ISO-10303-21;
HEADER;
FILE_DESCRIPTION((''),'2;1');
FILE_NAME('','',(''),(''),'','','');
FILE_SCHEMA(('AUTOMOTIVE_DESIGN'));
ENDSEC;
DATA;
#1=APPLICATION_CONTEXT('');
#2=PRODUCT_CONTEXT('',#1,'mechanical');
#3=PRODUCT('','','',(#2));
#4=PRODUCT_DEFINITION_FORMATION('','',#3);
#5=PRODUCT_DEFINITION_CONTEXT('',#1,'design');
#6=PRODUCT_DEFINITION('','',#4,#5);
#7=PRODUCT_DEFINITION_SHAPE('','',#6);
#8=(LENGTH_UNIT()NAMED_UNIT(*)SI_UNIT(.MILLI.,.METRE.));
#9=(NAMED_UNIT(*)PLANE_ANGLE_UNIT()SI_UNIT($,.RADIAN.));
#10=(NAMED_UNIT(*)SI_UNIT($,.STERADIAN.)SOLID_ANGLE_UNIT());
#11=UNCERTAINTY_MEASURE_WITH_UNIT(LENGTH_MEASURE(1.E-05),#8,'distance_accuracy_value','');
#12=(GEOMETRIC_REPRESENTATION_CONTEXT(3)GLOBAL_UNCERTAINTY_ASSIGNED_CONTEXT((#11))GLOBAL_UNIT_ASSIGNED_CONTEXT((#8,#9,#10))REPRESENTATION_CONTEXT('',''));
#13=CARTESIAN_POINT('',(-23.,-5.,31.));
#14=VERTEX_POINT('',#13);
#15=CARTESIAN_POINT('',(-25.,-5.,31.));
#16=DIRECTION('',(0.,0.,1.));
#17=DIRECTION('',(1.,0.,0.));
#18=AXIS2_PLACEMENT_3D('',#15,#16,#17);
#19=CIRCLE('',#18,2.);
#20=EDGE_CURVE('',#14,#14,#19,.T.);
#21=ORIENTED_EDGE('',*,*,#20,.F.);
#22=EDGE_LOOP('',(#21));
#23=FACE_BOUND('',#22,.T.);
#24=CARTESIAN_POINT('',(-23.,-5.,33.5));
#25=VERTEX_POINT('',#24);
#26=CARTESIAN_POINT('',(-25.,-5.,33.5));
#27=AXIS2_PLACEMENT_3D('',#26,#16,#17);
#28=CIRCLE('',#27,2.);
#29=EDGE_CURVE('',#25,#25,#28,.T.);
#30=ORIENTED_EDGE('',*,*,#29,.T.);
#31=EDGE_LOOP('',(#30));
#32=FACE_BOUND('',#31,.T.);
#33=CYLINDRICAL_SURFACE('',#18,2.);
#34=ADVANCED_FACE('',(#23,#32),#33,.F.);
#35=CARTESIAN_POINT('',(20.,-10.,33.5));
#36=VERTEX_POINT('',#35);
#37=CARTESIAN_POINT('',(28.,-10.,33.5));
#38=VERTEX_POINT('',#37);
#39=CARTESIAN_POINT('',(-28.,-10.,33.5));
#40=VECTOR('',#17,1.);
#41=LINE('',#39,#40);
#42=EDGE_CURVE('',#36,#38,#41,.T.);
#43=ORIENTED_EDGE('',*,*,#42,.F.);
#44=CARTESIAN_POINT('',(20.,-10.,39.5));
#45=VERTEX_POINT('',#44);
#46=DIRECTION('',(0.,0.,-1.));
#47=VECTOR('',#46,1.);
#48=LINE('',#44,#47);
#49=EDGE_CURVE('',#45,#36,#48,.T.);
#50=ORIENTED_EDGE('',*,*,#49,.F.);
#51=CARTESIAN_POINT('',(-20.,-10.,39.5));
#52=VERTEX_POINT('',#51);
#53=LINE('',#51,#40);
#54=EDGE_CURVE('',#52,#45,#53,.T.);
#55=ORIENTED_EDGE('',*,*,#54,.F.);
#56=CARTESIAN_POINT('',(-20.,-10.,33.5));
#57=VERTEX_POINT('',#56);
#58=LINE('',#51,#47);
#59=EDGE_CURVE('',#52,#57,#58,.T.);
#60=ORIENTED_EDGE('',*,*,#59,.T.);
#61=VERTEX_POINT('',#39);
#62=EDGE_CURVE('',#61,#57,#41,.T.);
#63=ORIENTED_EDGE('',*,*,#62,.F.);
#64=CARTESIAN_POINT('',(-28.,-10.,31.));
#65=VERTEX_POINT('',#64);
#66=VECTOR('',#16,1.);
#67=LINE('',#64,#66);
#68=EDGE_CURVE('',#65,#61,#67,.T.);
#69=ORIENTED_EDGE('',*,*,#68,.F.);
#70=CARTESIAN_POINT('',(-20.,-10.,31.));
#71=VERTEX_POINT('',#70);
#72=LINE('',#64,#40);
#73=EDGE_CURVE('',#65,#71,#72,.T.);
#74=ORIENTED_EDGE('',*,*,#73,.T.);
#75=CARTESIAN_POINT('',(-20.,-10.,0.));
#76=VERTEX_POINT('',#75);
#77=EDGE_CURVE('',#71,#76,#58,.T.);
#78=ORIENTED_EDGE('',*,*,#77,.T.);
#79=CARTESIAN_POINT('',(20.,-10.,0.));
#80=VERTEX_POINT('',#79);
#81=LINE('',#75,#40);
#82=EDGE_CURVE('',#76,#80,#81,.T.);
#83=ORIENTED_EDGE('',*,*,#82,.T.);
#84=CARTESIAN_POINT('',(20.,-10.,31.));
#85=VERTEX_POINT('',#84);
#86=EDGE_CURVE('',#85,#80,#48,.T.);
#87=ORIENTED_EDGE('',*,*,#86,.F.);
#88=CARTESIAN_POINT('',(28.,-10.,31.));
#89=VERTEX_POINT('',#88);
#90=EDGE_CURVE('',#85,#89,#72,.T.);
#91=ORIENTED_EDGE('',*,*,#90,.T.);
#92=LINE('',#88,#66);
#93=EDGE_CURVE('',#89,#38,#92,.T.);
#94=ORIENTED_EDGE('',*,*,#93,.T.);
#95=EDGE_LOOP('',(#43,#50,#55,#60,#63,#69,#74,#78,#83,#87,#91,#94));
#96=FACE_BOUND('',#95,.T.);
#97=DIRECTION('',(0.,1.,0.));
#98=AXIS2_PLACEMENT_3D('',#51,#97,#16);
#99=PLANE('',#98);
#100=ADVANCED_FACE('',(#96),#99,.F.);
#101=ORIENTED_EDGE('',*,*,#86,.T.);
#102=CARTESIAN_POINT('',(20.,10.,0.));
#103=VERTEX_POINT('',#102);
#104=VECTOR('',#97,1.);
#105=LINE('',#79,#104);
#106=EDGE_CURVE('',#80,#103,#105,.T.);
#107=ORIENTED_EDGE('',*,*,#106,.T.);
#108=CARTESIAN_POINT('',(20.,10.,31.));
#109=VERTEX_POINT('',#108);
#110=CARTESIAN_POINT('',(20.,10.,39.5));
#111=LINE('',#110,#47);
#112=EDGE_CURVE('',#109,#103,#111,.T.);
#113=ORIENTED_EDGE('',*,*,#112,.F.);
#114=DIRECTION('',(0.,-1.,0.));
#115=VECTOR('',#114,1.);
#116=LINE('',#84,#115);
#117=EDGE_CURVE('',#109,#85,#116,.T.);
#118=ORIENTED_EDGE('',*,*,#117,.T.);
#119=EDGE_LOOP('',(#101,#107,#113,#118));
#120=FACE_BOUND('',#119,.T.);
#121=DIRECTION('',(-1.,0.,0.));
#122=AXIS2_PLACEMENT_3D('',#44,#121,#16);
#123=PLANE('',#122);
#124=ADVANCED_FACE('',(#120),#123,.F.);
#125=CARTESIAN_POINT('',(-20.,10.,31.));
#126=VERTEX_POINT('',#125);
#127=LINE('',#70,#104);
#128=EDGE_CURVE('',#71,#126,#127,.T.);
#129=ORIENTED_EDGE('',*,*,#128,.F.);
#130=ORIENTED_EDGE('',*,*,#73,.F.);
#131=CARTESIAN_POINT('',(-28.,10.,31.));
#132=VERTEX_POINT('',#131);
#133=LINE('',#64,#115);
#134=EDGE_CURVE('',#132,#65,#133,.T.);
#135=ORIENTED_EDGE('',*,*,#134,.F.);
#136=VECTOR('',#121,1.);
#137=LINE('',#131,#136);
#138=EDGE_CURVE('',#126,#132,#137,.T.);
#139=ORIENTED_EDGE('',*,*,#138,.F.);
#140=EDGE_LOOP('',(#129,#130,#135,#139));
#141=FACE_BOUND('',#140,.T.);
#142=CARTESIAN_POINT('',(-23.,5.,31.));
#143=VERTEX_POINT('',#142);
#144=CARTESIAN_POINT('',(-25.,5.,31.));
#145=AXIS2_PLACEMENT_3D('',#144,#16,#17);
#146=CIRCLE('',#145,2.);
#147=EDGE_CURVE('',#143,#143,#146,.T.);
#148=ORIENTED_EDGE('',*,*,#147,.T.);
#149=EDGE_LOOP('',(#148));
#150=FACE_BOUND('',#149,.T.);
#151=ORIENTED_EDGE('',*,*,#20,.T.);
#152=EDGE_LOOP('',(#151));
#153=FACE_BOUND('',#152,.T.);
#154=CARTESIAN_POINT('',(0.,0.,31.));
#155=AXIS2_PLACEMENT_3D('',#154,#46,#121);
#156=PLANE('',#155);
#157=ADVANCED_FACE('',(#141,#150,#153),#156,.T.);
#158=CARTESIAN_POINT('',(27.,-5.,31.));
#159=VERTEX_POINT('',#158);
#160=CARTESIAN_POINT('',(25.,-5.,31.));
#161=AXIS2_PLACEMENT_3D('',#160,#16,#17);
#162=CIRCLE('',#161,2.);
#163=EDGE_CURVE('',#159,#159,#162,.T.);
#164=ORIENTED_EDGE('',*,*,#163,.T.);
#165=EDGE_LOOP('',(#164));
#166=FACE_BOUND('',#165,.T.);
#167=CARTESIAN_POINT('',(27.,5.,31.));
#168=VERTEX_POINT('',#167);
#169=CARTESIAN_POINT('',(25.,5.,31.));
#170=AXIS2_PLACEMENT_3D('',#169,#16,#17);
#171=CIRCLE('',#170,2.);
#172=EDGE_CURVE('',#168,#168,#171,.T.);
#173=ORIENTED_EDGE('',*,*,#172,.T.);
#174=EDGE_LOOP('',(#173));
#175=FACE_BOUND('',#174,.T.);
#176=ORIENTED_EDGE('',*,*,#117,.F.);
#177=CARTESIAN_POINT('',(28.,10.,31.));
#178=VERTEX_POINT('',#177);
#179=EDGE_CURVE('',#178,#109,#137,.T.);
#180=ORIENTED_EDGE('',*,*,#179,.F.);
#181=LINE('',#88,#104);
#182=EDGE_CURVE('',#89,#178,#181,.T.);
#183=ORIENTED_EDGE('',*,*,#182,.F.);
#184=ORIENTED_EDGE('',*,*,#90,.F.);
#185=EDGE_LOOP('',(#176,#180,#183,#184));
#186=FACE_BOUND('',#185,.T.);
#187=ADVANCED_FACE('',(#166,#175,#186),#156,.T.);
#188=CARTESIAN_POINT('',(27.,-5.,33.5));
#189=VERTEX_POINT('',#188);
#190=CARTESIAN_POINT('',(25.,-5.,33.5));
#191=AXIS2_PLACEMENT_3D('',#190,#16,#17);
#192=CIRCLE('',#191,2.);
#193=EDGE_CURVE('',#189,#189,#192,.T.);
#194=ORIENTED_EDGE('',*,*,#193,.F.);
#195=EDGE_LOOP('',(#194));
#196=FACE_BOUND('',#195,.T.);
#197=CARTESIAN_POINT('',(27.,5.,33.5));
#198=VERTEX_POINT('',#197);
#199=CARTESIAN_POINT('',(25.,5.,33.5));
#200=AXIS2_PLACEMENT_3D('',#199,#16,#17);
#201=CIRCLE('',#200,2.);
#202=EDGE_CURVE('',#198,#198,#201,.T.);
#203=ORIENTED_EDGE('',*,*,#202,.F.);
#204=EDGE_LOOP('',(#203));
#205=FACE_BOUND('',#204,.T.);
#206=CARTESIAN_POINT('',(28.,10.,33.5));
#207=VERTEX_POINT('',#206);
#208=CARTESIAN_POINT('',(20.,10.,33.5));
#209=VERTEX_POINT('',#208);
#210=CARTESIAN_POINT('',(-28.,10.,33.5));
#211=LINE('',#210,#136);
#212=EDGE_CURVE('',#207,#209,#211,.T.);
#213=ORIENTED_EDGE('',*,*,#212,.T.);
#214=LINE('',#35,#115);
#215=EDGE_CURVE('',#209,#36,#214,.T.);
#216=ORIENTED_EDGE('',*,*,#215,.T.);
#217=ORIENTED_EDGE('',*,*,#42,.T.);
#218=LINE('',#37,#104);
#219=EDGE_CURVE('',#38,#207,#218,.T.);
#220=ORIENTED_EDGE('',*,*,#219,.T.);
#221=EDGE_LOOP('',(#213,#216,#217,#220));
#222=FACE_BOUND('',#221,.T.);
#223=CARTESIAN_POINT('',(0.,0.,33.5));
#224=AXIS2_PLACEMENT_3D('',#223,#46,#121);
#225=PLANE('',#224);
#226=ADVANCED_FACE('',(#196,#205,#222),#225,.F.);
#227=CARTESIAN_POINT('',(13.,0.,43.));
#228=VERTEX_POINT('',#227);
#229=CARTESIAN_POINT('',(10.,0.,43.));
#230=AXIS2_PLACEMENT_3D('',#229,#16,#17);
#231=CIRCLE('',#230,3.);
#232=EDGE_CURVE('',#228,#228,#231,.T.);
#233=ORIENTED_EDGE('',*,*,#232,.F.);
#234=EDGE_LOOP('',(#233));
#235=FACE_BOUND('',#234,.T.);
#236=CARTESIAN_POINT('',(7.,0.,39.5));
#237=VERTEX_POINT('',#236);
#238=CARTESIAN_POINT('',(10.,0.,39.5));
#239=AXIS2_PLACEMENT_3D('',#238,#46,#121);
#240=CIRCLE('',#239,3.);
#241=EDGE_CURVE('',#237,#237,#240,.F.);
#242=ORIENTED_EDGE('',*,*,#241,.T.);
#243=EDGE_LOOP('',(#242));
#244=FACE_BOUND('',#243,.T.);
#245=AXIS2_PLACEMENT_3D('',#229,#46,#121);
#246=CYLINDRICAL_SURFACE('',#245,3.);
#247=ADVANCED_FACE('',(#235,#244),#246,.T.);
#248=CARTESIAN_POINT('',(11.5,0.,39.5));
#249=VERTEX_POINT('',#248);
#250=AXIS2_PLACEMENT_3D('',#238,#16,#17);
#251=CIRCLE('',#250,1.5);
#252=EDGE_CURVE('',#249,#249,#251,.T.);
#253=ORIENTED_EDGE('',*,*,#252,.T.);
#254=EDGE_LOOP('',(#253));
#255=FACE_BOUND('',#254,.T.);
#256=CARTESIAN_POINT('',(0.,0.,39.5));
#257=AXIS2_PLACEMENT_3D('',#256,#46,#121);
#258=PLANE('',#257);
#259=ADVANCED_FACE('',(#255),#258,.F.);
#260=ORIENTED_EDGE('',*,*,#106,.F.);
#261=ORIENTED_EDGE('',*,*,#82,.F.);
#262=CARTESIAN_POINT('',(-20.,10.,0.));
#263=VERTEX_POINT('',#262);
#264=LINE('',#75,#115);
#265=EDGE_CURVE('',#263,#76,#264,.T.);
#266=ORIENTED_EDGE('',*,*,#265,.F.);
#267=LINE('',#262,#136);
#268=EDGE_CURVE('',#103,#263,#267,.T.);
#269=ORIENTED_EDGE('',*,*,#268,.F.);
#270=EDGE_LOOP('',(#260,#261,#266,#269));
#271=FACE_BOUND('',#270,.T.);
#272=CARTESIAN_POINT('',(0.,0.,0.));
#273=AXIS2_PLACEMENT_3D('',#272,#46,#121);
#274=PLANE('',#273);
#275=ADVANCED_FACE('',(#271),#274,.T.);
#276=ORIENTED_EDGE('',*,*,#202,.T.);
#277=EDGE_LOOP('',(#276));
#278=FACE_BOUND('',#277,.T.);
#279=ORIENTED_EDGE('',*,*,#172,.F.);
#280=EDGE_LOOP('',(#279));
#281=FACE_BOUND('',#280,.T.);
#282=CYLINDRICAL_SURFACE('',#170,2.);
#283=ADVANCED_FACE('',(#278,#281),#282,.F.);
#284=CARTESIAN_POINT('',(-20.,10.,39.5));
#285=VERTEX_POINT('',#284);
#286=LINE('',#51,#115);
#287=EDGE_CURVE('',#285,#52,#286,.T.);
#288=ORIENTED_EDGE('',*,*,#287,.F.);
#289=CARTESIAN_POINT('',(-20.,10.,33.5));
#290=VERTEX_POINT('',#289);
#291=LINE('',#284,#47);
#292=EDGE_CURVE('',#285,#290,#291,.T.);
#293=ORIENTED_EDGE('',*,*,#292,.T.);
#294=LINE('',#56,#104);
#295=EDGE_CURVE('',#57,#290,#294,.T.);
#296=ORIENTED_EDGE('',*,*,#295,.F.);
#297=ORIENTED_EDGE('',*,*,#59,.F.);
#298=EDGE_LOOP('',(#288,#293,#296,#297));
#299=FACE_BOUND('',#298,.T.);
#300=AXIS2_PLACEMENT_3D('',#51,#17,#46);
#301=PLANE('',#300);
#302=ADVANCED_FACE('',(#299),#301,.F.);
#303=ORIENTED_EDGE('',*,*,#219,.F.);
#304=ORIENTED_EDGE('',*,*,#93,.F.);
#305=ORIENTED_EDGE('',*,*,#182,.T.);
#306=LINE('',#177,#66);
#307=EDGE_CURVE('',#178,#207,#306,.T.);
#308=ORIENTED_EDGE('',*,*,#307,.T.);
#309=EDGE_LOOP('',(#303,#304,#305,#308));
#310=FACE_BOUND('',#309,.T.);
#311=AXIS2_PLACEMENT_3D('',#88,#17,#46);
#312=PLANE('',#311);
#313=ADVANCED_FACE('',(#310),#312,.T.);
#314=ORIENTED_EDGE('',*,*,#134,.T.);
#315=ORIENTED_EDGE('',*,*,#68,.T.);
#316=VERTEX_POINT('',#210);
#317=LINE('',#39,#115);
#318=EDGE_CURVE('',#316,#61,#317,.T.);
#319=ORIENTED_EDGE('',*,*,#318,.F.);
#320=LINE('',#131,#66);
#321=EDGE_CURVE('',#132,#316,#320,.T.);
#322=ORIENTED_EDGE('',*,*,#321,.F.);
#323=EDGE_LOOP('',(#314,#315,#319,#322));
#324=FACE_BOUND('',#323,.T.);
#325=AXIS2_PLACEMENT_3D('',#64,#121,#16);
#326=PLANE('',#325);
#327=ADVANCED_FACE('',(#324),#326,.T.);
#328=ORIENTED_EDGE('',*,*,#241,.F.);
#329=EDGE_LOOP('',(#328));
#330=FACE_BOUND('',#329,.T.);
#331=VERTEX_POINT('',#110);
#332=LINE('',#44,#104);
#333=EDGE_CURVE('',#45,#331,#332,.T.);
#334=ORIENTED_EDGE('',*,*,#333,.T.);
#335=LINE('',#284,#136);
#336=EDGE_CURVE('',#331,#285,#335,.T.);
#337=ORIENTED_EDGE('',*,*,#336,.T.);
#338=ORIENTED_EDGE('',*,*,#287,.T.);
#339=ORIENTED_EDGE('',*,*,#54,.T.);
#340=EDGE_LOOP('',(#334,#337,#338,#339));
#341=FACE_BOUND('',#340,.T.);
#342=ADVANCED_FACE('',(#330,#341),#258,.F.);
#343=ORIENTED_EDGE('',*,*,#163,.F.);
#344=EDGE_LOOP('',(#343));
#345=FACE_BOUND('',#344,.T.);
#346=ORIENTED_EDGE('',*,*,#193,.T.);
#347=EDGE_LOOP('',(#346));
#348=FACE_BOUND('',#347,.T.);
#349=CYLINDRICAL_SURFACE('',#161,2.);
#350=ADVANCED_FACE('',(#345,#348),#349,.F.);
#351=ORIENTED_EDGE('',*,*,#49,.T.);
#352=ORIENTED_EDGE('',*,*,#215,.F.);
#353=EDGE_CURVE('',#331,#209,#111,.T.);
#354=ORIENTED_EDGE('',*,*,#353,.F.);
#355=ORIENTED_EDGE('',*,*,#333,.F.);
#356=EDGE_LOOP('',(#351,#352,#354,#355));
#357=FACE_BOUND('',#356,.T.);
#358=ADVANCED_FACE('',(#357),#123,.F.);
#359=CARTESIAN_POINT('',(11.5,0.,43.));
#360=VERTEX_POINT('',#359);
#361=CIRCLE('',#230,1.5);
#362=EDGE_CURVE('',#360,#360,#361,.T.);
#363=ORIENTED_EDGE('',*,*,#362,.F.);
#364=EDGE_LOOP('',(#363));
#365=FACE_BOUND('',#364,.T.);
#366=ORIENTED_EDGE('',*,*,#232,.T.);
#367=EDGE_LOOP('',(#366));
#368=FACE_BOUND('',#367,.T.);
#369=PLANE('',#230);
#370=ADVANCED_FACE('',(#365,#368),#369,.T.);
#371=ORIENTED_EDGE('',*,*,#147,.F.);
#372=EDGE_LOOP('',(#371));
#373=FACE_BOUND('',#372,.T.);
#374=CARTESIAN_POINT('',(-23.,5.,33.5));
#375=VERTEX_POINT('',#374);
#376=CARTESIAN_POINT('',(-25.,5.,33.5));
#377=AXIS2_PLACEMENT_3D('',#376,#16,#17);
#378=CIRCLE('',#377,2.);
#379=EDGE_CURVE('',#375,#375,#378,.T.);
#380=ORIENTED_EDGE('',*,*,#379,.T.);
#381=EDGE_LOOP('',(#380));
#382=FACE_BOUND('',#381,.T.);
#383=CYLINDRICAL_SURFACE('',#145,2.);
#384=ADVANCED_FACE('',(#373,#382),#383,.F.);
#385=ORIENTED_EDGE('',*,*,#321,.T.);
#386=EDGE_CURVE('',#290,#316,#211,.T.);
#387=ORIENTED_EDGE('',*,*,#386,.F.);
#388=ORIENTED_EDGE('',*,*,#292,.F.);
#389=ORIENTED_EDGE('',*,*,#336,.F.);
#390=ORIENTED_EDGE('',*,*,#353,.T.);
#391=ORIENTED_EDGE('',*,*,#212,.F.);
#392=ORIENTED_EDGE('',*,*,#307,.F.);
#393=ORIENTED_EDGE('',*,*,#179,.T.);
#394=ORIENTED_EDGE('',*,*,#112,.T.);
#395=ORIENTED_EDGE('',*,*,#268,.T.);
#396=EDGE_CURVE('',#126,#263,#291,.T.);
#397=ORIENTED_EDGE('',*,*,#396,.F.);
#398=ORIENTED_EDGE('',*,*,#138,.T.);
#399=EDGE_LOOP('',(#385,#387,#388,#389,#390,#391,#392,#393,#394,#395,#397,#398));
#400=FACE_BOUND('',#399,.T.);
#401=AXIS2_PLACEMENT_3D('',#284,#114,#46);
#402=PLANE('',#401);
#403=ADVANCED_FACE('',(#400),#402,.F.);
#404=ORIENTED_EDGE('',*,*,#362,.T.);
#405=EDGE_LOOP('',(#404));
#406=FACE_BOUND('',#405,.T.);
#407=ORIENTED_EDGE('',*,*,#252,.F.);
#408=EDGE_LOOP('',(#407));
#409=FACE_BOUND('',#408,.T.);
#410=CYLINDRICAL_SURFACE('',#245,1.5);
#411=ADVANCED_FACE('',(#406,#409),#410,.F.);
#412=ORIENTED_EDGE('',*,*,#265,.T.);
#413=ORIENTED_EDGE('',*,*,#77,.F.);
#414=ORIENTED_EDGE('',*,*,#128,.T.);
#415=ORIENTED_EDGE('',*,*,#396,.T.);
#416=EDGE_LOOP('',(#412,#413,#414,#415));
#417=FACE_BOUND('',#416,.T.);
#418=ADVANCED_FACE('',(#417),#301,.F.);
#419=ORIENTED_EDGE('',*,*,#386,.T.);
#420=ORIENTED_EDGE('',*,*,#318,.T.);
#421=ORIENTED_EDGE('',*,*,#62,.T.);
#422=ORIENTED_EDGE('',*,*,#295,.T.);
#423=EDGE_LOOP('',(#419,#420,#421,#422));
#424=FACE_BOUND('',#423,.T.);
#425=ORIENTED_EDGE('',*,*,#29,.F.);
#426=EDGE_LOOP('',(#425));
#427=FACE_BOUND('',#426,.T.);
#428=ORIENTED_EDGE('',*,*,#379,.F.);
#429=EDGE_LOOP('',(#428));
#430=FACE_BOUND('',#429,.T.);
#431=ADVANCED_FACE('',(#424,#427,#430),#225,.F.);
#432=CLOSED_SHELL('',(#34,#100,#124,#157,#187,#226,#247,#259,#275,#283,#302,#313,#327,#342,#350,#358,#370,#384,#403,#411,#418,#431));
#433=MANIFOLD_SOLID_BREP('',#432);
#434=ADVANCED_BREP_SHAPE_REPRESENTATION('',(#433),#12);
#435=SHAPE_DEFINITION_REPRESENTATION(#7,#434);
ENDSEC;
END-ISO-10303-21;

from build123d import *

# Parameters (mm, degrees)
SKETCH_1_W      = 40
SKETCH_1_H      = 20
EXTRUDE_1_DEPTH = 39.5
SKETCH_2_R      = 3
SKETCH_2_R_2    = 1.5
EXTRUDE_2_DEPTH = 3.5
SKETCH_4_W      = 56
SKETCH_4_H      = 20
SKETCH_4_R      = 2
EXTRUDE_3_DEPTH = 2.5


with BuildPart() as part:
    # 草图1 → 凸台-拉伸1 (new body)
    with BuildSketch(Plane.XY):
        Rectangle(SKETCH_1_W, SKETCH_1_H)
    extrude(amount=EXTRUDE_1_DEPTH)

    # 草图2 → 凸台-拉伸2 (add)
    with BuildSketch(Plane.XY.offset(39.5)):
        with Locations(Location((10, 0, 0), (0, 0, 180))):
            Circle(SKETCH_2_R)
        with Locations((10, 0)):
            Circle(SKETCH_2_R_2, mode=Mode.SUBTRACT)
    extrude(amount=EXTRUDE_2_DEPTH)

    # 草图4 → 凸台-拉伸3 (add)
    with BuildSketch(Plane.XY.offset(33.5)):
        Rectangle(SKETCH_4_W, SKETCH_4_H)
        with Locations((25, 5)):
            Circle(SKETCH_4_R, mode=Mode.SUBTRACT)
        with Locations((25, -5)):
            Circle(SKETCH_4_R, mode=Mode.SUBTRACT)
        with Locations((-25, 5)):
            Circle(SKETCH_4_R, mode=Mode.SUBTRACT)
        with Locations((-25, -5)):
            Circle(SKETCH_4_R, mode=Mode.SUBTRACT)
    extrude(amount=-EXTRUDE_3_DEPTH)


solid = part.part
